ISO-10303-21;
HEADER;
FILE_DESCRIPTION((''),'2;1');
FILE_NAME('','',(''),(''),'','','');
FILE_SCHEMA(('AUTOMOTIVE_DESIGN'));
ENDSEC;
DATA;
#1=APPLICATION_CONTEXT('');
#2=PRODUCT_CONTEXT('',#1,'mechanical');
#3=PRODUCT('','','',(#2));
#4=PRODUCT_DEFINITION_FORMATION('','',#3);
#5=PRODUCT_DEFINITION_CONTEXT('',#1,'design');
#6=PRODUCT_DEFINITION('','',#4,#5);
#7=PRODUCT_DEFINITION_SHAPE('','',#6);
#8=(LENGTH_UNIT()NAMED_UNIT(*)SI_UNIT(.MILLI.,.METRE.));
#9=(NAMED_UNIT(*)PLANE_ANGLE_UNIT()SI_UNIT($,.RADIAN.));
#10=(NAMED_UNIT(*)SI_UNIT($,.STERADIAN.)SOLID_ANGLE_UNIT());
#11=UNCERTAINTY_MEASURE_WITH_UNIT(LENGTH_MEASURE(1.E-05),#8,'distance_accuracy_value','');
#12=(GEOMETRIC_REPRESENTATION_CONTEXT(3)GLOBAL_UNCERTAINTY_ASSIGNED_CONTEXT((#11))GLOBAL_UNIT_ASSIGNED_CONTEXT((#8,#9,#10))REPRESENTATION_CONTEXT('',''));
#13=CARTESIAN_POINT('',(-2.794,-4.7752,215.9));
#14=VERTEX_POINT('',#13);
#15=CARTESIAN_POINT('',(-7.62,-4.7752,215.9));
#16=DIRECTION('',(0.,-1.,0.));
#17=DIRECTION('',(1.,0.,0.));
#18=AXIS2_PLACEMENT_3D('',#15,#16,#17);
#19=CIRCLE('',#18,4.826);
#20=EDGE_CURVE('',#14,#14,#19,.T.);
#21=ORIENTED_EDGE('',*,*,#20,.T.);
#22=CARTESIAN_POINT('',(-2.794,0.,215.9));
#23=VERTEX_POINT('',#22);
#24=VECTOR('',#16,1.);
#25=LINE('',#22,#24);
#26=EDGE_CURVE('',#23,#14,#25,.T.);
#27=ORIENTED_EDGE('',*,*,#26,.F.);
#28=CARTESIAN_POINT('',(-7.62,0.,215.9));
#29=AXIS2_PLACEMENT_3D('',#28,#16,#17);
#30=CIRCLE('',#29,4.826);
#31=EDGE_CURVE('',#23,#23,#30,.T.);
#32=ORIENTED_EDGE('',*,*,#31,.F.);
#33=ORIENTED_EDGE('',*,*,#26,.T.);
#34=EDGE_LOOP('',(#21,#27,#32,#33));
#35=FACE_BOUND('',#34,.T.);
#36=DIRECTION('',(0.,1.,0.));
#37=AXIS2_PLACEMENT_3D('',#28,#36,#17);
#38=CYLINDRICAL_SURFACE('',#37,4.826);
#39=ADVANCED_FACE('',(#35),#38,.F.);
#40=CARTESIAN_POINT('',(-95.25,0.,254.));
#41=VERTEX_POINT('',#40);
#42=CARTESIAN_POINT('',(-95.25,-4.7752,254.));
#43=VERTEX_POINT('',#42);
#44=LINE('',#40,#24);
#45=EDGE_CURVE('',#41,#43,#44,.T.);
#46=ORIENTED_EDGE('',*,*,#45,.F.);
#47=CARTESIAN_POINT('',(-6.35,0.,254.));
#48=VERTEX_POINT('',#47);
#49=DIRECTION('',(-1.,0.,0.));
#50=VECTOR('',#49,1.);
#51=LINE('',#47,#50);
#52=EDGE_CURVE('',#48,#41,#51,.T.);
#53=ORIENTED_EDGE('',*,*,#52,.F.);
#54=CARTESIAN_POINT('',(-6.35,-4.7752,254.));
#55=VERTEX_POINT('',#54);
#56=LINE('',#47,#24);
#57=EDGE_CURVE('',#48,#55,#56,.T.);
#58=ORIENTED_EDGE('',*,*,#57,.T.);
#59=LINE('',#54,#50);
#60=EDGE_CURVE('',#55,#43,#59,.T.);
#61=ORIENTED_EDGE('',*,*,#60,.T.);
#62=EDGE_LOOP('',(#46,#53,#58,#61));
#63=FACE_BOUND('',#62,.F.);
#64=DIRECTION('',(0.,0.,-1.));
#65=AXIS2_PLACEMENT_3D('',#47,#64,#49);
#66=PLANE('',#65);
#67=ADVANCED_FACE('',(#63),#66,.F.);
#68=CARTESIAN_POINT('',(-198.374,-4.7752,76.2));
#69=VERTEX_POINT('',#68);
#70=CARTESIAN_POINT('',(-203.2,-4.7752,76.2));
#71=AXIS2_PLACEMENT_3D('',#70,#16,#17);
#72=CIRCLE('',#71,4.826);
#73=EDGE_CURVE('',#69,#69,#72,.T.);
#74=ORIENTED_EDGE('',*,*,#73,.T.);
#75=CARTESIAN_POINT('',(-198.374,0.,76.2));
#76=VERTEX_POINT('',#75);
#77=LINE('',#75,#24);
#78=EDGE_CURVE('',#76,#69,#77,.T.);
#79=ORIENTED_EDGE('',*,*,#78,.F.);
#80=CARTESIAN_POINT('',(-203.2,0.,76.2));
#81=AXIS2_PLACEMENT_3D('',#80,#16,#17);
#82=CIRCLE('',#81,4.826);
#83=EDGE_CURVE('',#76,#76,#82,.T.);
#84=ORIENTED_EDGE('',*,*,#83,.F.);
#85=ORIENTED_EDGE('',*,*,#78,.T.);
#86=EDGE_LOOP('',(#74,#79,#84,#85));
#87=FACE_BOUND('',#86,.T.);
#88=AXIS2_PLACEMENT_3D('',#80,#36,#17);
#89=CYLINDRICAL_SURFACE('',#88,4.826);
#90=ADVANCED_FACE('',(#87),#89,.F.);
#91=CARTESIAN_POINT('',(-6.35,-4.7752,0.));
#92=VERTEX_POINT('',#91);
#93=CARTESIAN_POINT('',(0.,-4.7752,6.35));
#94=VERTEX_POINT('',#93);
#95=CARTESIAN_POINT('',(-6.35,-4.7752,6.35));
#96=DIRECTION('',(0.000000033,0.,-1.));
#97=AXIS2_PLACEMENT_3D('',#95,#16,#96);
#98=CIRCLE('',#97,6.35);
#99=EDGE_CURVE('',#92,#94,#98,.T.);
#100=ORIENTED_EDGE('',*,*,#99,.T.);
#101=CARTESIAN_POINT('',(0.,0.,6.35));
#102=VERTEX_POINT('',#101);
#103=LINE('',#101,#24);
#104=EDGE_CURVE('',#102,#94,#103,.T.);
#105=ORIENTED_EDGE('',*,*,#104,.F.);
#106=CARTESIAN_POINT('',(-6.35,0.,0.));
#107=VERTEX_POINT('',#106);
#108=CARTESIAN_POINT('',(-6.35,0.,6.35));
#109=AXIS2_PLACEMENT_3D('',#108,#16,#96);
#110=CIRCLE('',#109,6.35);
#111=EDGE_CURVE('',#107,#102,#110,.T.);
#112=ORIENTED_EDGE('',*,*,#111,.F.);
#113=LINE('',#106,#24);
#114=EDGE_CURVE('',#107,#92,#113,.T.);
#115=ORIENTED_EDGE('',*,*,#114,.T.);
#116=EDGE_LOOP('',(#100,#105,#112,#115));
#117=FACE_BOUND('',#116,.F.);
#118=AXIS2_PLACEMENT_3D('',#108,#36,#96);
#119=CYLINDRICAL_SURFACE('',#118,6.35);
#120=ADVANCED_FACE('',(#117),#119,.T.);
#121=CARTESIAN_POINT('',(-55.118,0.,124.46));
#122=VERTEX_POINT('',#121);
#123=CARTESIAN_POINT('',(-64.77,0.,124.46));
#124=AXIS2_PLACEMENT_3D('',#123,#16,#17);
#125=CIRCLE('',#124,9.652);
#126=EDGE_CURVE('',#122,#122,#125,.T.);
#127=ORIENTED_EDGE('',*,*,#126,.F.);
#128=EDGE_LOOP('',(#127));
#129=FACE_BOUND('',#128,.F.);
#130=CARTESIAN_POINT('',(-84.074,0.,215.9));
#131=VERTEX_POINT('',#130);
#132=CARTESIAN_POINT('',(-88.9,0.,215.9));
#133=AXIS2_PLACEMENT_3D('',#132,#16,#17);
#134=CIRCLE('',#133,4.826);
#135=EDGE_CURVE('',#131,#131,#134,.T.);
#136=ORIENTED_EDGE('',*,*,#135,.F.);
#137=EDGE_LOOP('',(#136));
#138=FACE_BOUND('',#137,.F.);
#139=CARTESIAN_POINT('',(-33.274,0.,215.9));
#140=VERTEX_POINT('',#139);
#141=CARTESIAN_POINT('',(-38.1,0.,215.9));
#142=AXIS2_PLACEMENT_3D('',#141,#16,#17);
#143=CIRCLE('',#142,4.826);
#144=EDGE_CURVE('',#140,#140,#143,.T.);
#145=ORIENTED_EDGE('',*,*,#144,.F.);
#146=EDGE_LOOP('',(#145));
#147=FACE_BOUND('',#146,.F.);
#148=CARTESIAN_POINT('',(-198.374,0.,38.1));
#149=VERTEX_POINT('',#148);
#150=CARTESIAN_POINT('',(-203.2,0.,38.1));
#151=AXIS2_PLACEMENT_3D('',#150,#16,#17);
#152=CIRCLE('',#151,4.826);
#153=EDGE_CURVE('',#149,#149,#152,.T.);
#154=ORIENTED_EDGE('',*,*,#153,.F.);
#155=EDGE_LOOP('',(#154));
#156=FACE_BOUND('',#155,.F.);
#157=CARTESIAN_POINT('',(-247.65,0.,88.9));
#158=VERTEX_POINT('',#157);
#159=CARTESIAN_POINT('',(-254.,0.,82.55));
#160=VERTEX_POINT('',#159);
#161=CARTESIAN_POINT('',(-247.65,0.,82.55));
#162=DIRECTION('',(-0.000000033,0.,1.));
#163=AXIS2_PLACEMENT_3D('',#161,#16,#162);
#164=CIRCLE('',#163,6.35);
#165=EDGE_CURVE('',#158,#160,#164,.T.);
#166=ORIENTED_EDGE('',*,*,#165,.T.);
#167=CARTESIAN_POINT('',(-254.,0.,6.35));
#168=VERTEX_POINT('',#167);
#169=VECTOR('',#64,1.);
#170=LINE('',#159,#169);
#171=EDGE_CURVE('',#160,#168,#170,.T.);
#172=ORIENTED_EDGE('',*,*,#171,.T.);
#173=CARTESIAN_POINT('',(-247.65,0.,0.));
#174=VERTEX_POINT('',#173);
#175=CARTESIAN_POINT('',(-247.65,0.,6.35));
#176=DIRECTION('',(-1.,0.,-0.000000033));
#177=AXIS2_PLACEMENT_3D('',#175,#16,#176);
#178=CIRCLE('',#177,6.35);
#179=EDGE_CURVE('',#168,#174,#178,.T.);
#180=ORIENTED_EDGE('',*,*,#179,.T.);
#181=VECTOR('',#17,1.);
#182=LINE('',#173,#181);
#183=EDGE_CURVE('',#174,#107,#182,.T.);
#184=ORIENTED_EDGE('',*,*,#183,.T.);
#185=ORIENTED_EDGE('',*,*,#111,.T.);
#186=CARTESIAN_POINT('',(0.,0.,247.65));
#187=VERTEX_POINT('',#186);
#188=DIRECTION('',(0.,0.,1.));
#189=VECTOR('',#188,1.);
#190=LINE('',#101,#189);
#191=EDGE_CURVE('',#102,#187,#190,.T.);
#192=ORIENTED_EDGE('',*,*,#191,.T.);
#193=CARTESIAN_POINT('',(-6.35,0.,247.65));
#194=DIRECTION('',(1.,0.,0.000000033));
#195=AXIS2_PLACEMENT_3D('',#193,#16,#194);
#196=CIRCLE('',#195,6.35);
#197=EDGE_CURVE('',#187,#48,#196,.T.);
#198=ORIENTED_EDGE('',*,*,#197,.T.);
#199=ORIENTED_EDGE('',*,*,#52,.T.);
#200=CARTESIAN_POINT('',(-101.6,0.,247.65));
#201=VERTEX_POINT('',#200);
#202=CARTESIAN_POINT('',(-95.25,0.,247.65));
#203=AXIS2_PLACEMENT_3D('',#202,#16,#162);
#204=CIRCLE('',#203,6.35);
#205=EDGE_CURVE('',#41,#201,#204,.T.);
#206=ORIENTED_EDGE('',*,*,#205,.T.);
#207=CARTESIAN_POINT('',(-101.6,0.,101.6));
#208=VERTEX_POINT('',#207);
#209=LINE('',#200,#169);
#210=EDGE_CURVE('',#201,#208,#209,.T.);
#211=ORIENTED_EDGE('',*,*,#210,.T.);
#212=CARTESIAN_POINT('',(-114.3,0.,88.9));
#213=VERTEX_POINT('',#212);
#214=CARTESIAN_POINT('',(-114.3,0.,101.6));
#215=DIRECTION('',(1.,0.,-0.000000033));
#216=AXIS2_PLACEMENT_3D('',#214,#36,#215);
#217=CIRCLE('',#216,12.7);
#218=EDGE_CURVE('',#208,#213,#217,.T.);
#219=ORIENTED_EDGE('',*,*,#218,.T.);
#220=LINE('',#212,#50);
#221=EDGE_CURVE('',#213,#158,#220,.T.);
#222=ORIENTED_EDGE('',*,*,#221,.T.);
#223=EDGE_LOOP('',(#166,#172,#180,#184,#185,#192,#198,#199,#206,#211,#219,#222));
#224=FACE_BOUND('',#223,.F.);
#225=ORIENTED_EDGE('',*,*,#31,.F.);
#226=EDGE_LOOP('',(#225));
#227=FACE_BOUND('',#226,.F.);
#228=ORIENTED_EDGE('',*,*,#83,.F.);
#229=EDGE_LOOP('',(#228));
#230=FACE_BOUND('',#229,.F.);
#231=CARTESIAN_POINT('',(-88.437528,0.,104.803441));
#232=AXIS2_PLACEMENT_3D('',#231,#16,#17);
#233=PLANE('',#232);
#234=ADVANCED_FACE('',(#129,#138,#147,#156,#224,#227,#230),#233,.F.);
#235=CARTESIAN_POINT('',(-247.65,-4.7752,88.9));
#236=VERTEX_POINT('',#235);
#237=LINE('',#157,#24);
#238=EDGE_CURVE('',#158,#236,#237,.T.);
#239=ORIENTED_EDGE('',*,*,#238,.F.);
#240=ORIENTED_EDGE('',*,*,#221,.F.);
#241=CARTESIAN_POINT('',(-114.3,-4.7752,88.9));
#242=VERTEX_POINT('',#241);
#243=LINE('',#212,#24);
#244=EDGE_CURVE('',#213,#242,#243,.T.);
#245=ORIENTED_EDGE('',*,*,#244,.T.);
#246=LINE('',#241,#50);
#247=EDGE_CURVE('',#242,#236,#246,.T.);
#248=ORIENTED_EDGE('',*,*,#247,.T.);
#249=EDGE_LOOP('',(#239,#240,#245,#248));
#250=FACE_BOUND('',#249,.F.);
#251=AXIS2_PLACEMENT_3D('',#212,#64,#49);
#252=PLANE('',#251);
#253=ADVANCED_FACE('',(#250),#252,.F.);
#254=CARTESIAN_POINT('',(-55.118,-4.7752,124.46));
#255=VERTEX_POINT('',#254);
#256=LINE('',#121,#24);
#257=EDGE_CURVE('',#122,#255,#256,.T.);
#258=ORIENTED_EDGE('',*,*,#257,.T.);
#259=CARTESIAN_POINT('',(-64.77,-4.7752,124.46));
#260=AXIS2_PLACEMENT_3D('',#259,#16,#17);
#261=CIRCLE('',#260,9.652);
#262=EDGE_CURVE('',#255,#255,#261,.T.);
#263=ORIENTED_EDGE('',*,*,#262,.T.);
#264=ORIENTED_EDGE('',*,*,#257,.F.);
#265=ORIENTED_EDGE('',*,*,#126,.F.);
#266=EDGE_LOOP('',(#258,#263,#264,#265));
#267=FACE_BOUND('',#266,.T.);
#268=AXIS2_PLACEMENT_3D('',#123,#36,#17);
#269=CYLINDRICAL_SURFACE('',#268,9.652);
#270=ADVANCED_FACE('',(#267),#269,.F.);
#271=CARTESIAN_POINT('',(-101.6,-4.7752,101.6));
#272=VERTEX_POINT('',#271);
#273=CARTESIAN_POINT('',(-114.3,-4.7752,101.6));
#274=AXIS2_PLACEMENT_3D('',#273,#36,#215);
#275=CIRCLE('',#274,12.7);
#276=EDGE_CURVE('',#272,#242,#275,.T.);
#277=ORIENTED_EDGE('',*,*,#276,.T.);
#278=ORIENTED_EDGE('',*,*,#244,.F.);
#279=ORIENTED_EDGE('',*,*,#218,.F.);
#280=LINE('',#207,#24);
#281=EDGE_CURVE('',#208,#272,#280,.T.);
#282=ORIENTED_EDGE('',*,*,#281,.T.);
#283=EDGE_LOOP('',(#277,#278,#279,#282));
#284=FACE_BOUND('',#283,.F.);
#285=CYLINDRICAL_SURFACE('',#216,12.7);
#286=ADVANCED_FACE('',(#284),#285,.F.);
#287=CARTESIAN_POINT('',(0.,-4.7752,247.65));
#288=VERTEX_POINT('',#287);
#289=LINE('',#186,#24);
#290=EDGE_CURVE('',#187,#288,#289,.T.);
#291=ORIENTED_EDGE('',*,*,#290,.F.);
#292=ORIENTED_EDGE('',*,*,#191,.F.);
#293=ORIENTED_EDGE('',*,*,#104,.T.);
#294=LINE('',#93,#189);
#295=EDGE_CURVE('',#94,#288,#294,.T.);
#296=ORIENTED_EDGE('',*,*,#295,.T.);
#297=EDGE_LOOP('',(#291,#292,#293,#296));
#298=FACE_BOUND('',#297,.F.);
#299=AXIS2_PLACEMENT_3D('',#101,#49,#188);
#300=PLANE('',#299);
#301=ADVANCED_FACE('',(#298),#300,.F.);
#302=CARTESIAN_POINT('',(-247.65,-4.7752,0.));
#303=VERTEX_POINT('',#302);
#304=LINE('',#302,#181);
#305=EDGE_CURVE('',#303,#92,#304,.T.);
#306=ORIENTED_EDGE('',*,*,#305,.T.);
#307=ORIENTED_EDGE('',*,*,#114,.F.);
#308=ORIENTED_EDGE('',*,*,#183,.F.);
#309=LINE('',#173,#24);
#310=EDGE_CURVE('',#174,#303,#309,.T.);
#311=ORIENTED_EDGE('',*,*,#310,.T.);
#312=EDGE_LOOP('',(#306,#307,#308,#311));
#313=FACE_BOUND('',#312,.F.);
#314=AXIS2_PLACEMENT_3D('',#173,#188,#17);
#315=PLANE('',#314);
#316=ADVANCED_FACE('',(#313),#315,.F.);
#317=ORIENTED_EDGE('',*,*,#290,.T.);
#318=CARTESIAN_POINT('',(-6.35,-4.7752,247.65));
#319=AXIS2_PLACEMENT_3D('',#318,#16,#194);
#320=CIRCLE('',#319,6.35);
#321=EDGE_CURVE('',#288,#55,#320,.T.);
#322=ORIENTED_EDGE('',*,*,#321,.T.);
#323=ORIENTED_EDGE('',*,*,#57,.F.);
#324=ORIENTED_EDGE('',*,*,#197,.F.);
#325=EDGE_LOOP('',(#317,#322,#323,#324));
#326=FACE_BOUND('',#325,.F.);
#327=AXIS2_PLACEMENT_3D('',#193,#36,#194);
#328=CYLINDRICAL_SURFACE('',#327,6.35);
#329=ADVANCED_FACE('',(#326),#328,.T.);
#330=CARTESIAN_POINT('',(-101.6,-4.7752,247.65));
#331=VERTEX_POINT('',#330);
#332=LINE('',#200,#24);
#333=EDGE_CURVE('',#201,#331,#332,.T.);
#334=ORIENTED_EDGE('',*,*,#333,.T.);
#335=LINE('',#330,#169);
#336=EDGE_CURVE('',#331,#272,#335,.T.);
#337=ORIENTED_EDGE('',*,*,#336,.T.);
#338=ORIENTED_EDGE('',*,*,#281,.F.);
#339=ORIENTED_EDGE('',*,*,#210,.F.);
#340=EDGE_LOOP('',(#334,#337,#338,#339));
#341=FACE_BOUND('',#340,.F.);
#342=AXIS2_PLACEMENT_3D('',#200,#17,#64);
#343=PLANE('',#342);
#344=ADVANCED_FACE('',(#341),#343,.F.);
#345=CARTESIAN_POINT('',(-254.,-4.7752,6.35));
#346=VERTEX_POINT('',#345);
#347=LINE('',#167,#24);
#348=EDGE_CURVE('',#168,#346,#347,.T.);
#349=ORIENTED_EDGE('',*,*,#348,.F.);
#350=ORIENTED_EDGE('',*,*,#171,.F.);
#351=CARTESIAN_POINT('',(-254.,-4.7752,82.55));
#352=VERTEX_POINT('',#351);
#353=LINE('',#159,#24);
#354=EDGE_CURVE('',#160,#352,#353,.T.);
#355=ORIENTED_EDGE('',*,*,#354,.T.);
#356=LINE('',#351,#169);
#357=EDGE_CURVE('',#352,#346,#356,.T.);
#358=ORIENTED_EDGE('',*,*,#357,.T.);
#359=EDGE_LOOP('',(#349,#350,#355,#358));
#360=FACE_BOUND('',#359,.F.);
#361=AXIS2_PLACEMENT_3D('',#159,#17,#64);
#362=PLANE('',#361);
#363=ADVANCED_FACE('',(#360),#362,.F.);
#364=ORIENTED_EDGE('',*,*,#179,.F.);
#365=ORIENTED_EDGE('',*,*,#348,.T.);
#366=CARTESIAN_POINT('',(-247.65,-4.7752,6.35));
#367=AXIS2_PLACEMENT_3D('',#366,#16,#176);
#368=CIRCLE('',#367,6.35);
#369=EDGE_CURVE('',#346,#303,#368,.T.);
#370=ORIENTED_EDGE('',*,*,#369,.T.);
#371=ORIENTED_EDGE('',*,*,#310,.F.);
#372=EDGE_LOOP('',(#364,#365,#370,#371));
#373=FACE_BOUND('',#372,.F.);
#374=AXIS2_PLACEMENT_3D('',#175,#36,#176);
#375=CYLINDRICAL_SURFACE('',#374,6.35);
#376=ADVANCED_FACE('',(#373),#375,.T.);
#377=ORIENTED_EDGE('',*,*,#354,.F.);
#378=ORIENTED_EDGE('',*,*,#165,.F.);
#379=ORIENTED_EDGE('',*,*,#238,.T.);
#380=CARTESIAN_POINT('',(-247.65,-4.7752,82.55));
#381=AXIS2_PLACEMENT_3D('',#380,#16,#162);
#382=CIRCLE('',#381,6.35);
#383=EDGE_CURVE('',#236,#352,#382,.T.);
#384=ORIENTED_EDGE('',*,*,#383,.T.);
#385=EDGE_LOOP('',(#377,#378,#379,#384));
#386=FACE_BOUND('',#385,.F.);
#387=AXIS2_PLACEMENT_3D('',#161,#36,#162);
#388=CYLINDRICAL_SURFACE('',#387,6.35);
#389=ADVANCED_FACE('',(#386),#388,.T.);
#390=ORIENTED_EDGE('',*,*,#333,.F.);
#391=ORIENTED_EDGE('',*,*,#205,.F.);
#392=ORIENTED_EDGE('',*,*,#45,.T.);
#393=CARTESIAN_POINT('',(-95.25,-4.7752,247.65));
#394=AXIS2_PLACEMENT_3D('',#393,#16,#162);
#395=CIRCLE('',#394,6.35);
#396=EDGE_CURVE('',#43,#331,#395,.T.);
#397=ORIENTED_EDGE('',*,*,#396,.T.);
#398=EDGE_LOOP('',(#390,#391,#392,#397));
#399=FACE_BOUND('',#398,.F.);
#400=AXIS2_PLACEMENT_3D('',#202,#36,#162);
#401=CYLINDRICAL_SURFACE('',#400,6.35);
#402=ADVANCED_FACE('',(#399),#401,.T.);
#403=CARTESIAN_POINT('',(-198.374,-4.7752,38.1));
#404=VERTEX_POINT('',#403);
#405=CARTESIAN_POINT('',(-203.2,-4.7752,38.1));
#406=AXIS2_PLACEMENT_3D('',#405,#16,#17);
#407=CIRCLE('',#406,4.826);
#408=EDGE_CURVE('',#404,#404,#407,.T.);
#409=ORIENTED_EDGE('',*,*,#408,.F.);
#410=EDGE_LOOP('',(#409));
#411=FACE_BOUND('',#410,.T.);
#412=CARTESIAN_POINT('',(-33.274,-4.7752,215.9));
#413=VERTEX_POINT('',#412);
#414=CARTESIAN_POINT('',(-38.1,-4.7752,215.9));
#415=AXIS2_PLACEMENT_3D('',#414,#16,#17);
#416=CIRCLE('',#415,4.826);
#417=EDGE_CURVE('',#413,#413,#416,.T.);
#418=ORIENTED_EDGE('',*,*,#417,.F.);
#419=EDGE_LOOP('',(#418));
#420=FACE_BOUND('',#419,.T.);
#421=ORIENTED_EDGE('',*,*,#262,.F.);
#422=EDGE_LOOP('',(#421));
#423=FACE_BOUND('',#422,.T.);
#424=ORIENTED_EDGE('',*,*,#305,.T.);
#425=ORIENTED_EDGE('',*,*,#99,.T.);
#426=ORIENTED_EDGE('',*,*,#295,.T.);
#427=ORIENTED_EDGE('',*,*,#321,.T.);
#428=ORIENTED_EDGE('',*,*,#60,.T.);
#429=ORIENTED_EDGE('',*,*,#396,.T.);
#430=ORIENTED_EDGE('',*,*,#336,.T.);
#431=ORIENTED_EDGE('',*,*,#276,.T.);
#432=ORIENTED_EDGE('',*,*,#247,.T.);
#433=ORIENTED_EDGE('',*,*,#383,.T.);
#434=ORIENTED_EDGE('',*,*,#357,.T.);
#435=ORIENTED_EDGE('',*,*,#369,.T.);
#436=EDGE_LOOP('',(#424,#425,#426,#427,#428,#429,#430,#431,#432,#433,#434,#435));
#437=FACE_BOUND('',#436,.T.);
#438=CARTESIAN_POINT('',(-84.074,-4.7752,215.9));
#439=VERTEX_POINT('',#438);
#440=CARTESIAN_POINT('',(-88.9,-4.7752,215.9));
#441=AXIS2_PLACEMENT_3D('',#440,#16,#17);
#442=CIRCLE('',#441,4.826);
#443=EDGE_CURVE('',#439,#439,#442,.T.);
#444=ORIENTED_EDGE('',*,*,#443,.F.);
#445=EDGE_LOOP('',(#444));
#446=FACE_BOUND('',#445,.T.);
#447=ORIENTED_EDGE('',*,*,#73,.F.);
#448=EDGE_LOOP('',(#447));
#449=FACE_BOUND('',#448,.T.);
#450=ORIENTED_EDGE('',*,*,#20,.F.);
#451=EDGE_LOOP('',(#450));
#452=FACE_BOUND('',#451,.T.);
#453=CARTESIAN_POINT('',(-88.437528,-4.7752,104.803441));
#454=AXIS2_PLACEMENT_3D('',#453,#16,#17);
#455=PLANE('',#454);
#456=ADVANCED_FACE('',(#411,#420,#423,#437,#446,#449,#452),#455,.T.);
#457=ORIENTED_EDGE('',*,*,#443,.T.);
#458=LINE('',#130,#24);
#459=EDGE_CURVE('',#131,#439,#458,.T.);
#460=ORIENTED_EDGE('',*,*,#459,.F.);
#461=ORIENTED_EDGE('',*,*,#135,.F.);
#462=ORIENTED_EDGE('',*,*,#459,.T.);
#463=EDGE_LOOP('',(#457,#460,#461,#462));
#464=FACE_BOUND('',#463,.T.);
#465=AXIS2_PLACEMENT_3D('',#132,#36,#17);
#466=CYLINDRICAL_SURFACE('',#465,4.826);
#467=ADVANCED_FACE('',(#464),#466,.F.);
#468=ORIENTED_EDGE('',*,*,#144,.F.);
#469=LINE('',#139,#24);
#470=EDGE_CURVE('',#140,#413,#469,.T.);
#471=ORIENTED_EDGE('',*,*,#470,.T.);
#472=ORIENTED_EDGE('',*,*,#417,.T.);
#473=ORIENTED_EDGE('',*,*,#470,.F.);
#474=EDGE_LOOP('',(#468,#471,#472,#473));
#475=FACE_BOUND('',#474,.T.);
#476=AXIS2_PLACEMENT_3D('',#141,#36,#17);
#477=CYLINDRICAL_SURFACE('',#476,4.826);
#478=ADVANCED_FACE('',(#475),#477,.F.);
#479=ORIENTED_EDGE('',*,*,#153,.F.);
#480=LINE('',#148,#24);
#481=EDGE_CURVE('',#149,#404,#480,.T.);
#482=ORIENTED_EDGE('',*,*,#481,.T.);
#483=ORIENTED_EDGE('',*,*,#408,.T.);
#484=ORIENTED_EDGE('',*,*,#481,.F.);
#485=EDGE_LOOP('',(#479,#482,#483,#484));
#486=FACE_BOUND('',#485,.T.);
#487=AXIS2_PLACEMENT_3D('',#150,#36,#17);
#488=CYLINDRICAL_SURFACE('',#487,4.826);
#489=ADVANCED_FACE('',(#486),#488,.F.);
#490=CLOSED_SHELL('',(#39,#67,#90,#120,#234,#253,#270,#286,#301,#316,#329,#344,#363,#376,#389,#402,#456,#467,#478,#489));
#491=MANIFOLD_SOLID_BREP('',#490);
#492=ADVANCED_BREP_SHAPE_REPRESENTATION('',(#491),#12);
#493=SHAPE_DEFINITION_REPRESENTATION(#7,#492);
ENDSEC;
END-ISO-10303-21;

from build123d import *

# Parameters (mm, degrees)
F0_R     = 4.826
F0_R_2   = 9.525
F0_R_3   = 9.652
F1_DEPTH = 4.7752


with BuildPart() as f1:
    # F0 (on Front) → F1 (new body)
    with BuildSketch(Plane.XZ):
        with BuildLine():
            ThreePointArc((-6.35, 0), (-1.859872, 1.859872), (0, 6.35))
            Line((0, 6.35), (0, 247.65))
            ThreePointArc((0, 247.65), (-1.859872, 252.140128), (-6.35, 254))
            Line((-6.35, 254), (-95.25, 254))
            ThreePointArc((-95.25, 254), (-99.740128, 252.140128), (-101.6, 247.65))
            Line((-101.6, 247.65), (-101.6, 176.188146))
            ThreePointArc((-101.6, 176.188146), (-35.670644, 180.900035), (-1.27, 124.46))
            ThreePointArc((-1.27, 124.46), (-46.17483, 63.743695), (-117.379281, 88.9))
            Line((-117.379281, 88.9), (-247.65, 88.9))
            ThreePointArc((-247.65, 88.9), (-252.140128, 87.040128), (-254, 82.55))
            Line((-254, 82.55), (-254, 6.35))
            ThreePointArc((-254, 6.35), (-252.140128, 1.859872), (-247.65, 0))
            Line((-247.65, 0), (-6.35, 0))
        make_face()
        with Locations((-203.2, 38.1)):
            Circle(F0_R, mode=Mode.SUBTRACT)
        with Locations((-203.2, 76.2)):
            Circle(F0_R, mode=Mode.SUBTRACT)
        with Locations((-33.35242, 48.26)):
            Circle(F0_R_2, mode=Mode.SUBTRACT)
        with Locations((-88.9, 215.9)):
            Circle(F0_R, mode=Mode.SUBTRACT)
        with Locations((-38.1, 215.9)):
            Circle(F0_R, mode=Mode.SUBTRACT)
        with Locations((-7.62, 215.9)):
            Circle(F0_R, mode=Mode.SUBTRACT)
        with Locations((-33.35242, 48.26)):
            Circle(F0_R_2)
        with BuildLine():
            ThreePointArc((-1.27, 124.46), (-35.670644, 180.900035), (-101.6, 176.188146))
            Line((-101.6, 176.188146), (-101.6, 101.6))
            ThreePointArc((-101.6, 101.6), (-105.319744, 92.619744), (-114.3, 88.9))
            Line((-114.3, 88.9), (-117.379281, 88.9))
            ThreePointArc((-117.379281, 88.9), (-46.17483, 63.743695), (-1.27, 124.46))
        make_face()
        with Locations((-64.77, 124.46)):
            Circle(F0_R_3, mode=Mode.SUBTRACT)
    extrude(amount=F1_DEPTH)


solid = f1.part
